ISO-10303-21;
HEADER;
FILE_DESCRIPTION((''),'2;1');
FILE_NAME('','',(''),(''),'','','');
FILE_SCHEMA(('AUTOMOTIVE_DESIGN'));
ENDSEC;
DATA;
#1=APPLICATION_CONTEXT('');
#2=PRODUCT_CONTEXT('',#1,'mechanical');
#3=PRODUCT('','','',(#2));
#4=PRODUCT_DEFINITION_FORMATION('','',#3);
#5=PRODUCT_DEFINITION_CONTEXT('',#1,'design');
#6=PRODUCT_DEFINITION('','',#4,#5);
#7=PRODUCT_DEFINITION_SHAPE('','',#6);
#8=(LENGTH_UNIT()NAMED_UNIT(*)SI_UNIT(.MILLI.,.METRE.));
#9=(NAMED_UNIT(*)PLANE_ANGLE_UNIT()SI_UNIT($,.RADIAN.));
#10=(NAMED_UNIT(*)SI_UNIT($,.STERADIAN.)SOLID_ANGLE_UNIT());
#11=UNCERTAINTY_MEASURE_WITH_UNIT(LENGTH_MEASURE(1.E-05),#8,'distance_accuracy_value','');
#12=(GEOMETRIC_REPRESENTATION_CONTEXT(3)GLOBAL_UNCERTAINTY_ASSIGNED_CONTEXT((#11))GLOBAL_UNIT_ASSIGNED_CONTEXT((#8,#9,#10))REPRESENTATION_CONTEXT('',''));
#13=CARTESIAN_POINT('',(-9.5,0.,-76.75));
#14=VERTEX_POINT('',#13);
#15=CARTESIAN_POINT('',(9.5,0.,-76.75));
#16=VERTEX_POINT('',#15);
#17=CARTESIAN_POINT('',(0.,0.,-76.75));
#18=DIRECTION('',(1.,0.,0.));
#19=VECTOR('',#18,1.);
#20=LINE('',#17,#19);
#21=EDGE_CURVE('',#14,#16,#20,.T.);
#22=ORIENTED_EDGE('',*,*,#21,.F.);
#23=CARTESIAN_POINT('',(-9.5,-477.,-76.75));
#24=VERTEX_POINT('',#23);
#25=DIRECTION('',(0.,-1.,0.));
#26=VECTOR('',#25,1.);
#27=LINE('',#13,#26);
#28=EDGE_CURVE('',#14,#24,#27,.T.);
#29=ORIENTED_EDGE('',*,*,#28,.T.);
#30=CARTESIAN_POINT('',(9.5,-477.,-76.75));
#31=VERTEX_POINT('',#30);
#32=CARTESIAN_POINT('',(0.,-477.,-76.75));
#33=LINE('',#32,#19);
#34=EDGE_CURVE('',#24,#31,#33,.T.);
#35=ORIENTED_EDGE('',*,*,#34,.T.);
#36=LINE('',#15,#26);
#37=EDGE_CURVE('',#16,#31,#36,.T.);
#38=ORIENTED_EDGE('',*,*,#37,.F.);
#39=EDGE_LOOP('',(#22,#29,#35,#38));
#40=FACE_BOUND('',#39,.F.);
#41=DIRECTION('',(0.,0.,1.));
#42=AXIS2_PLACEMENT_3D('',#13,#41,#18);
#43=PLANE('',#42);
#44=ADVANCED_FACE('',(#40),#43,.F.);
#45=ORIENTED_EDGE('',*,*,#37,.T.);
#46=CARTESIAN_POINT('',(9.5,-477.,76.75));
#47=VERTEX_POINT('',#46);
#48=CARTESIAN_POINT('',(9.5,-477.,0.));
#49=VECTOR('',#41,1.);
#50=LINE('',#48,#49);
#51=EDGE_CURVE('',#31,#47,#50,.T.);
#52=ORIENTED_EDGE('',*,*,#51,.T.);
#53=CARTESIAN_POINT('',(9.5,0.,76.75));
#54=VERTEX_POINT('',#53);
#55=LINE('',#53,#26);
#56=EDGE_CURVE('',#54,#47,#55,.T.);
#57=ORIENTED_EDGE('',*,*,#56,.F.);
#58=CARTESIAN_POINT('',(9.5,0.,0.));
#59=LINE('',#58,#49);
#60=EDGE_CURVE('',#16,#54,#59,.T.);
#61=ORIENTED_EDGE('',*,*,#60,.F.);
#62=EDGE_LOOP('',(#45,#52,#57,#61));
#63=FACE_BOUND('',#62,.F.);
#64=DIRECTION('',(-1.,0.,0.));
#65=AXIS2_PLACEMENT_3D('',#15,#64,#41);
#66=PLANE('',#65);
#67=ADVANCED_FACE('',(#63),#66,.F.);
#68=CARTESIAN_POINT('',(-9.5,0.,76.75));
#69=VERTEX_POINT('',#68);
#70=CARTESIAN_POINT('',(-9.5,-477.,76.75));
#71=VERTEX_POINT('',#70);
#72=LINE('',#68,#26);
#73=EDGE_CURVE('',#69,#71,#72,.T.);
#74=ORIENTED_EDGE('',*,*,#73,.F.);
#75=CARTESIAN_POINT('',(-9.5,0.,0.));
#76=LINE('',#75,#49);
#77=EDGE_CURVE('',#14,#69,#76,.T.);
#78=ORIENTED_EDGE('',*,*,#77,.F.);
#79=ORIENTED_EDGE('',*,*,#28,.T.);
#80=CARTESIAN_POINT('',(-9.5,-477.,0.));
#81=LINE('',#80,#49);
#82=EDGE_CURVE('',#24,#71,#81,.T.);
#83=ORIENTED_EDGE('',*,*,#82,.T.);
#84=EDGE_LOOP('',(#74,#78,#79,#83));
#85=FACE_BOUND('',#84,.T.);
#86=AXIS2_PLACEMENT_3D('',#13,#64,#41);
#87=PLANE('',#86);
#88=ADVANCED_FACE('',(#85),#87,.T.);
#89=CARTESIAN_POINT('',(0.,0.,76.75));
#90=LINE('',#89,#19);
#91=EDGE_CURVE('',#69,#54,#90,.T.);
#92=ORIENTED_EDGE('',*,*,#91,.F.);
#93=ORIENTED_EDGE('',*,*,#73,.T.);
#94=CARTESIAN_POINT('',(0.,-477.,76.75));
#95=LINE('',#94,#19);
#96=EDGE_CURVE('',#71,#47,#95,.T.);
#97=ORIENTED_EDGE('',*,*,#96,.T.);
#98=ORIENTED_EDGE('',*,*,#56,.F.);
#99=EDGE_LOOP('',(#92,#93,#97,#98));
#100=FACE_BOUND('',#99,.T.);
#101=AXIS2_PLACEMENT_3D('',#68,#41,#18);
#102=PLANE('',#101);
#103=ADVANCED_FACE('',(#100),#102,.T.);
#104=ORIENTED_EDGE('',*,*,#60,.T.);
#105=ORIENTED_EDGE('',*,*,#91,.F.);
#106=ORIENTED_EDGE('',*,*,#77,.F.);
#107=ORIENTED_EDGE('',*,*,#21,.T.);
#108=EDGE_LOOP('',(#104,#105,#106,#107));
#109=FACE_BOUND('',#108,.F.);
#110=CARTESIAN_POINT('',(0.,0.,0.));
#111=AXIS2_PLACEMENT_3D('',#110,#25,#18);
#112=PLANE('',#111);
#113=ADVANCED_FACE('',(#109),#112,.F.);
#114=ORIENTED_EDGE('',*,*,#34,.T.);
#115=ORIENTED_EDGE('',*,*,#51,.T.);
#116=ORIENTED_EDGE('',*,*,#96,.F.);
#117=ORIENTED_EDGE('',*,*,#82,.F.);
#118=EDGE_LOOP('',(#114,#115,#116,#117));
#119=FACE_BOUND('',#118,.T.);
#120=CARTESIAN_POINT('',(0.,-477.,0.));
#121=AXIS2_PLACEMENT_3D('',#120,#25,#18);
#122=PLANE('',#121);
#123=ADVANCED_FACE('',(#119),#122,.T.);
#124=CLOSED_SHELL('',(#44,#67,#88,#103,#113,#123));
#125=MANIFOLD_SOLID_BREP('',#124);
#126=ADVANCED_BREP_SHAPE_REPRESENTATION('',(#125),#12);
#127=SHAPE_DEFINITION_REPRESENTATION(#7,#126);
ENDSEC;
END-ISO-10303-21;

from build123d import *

# Parameters (mm, degrees)
SKETCH_W  = 19
SKETCH_H  = 153.5
PAD_DEPTH = 477


with BuildPart() as part:
    # Sketch → Pad (new body)
    with BuildSketch(Plane.XZ):
        Rectangle(SKETCH_W, SKETCH_H)
    extrude(amount=PAD_DEPTH)


solid = part.part
